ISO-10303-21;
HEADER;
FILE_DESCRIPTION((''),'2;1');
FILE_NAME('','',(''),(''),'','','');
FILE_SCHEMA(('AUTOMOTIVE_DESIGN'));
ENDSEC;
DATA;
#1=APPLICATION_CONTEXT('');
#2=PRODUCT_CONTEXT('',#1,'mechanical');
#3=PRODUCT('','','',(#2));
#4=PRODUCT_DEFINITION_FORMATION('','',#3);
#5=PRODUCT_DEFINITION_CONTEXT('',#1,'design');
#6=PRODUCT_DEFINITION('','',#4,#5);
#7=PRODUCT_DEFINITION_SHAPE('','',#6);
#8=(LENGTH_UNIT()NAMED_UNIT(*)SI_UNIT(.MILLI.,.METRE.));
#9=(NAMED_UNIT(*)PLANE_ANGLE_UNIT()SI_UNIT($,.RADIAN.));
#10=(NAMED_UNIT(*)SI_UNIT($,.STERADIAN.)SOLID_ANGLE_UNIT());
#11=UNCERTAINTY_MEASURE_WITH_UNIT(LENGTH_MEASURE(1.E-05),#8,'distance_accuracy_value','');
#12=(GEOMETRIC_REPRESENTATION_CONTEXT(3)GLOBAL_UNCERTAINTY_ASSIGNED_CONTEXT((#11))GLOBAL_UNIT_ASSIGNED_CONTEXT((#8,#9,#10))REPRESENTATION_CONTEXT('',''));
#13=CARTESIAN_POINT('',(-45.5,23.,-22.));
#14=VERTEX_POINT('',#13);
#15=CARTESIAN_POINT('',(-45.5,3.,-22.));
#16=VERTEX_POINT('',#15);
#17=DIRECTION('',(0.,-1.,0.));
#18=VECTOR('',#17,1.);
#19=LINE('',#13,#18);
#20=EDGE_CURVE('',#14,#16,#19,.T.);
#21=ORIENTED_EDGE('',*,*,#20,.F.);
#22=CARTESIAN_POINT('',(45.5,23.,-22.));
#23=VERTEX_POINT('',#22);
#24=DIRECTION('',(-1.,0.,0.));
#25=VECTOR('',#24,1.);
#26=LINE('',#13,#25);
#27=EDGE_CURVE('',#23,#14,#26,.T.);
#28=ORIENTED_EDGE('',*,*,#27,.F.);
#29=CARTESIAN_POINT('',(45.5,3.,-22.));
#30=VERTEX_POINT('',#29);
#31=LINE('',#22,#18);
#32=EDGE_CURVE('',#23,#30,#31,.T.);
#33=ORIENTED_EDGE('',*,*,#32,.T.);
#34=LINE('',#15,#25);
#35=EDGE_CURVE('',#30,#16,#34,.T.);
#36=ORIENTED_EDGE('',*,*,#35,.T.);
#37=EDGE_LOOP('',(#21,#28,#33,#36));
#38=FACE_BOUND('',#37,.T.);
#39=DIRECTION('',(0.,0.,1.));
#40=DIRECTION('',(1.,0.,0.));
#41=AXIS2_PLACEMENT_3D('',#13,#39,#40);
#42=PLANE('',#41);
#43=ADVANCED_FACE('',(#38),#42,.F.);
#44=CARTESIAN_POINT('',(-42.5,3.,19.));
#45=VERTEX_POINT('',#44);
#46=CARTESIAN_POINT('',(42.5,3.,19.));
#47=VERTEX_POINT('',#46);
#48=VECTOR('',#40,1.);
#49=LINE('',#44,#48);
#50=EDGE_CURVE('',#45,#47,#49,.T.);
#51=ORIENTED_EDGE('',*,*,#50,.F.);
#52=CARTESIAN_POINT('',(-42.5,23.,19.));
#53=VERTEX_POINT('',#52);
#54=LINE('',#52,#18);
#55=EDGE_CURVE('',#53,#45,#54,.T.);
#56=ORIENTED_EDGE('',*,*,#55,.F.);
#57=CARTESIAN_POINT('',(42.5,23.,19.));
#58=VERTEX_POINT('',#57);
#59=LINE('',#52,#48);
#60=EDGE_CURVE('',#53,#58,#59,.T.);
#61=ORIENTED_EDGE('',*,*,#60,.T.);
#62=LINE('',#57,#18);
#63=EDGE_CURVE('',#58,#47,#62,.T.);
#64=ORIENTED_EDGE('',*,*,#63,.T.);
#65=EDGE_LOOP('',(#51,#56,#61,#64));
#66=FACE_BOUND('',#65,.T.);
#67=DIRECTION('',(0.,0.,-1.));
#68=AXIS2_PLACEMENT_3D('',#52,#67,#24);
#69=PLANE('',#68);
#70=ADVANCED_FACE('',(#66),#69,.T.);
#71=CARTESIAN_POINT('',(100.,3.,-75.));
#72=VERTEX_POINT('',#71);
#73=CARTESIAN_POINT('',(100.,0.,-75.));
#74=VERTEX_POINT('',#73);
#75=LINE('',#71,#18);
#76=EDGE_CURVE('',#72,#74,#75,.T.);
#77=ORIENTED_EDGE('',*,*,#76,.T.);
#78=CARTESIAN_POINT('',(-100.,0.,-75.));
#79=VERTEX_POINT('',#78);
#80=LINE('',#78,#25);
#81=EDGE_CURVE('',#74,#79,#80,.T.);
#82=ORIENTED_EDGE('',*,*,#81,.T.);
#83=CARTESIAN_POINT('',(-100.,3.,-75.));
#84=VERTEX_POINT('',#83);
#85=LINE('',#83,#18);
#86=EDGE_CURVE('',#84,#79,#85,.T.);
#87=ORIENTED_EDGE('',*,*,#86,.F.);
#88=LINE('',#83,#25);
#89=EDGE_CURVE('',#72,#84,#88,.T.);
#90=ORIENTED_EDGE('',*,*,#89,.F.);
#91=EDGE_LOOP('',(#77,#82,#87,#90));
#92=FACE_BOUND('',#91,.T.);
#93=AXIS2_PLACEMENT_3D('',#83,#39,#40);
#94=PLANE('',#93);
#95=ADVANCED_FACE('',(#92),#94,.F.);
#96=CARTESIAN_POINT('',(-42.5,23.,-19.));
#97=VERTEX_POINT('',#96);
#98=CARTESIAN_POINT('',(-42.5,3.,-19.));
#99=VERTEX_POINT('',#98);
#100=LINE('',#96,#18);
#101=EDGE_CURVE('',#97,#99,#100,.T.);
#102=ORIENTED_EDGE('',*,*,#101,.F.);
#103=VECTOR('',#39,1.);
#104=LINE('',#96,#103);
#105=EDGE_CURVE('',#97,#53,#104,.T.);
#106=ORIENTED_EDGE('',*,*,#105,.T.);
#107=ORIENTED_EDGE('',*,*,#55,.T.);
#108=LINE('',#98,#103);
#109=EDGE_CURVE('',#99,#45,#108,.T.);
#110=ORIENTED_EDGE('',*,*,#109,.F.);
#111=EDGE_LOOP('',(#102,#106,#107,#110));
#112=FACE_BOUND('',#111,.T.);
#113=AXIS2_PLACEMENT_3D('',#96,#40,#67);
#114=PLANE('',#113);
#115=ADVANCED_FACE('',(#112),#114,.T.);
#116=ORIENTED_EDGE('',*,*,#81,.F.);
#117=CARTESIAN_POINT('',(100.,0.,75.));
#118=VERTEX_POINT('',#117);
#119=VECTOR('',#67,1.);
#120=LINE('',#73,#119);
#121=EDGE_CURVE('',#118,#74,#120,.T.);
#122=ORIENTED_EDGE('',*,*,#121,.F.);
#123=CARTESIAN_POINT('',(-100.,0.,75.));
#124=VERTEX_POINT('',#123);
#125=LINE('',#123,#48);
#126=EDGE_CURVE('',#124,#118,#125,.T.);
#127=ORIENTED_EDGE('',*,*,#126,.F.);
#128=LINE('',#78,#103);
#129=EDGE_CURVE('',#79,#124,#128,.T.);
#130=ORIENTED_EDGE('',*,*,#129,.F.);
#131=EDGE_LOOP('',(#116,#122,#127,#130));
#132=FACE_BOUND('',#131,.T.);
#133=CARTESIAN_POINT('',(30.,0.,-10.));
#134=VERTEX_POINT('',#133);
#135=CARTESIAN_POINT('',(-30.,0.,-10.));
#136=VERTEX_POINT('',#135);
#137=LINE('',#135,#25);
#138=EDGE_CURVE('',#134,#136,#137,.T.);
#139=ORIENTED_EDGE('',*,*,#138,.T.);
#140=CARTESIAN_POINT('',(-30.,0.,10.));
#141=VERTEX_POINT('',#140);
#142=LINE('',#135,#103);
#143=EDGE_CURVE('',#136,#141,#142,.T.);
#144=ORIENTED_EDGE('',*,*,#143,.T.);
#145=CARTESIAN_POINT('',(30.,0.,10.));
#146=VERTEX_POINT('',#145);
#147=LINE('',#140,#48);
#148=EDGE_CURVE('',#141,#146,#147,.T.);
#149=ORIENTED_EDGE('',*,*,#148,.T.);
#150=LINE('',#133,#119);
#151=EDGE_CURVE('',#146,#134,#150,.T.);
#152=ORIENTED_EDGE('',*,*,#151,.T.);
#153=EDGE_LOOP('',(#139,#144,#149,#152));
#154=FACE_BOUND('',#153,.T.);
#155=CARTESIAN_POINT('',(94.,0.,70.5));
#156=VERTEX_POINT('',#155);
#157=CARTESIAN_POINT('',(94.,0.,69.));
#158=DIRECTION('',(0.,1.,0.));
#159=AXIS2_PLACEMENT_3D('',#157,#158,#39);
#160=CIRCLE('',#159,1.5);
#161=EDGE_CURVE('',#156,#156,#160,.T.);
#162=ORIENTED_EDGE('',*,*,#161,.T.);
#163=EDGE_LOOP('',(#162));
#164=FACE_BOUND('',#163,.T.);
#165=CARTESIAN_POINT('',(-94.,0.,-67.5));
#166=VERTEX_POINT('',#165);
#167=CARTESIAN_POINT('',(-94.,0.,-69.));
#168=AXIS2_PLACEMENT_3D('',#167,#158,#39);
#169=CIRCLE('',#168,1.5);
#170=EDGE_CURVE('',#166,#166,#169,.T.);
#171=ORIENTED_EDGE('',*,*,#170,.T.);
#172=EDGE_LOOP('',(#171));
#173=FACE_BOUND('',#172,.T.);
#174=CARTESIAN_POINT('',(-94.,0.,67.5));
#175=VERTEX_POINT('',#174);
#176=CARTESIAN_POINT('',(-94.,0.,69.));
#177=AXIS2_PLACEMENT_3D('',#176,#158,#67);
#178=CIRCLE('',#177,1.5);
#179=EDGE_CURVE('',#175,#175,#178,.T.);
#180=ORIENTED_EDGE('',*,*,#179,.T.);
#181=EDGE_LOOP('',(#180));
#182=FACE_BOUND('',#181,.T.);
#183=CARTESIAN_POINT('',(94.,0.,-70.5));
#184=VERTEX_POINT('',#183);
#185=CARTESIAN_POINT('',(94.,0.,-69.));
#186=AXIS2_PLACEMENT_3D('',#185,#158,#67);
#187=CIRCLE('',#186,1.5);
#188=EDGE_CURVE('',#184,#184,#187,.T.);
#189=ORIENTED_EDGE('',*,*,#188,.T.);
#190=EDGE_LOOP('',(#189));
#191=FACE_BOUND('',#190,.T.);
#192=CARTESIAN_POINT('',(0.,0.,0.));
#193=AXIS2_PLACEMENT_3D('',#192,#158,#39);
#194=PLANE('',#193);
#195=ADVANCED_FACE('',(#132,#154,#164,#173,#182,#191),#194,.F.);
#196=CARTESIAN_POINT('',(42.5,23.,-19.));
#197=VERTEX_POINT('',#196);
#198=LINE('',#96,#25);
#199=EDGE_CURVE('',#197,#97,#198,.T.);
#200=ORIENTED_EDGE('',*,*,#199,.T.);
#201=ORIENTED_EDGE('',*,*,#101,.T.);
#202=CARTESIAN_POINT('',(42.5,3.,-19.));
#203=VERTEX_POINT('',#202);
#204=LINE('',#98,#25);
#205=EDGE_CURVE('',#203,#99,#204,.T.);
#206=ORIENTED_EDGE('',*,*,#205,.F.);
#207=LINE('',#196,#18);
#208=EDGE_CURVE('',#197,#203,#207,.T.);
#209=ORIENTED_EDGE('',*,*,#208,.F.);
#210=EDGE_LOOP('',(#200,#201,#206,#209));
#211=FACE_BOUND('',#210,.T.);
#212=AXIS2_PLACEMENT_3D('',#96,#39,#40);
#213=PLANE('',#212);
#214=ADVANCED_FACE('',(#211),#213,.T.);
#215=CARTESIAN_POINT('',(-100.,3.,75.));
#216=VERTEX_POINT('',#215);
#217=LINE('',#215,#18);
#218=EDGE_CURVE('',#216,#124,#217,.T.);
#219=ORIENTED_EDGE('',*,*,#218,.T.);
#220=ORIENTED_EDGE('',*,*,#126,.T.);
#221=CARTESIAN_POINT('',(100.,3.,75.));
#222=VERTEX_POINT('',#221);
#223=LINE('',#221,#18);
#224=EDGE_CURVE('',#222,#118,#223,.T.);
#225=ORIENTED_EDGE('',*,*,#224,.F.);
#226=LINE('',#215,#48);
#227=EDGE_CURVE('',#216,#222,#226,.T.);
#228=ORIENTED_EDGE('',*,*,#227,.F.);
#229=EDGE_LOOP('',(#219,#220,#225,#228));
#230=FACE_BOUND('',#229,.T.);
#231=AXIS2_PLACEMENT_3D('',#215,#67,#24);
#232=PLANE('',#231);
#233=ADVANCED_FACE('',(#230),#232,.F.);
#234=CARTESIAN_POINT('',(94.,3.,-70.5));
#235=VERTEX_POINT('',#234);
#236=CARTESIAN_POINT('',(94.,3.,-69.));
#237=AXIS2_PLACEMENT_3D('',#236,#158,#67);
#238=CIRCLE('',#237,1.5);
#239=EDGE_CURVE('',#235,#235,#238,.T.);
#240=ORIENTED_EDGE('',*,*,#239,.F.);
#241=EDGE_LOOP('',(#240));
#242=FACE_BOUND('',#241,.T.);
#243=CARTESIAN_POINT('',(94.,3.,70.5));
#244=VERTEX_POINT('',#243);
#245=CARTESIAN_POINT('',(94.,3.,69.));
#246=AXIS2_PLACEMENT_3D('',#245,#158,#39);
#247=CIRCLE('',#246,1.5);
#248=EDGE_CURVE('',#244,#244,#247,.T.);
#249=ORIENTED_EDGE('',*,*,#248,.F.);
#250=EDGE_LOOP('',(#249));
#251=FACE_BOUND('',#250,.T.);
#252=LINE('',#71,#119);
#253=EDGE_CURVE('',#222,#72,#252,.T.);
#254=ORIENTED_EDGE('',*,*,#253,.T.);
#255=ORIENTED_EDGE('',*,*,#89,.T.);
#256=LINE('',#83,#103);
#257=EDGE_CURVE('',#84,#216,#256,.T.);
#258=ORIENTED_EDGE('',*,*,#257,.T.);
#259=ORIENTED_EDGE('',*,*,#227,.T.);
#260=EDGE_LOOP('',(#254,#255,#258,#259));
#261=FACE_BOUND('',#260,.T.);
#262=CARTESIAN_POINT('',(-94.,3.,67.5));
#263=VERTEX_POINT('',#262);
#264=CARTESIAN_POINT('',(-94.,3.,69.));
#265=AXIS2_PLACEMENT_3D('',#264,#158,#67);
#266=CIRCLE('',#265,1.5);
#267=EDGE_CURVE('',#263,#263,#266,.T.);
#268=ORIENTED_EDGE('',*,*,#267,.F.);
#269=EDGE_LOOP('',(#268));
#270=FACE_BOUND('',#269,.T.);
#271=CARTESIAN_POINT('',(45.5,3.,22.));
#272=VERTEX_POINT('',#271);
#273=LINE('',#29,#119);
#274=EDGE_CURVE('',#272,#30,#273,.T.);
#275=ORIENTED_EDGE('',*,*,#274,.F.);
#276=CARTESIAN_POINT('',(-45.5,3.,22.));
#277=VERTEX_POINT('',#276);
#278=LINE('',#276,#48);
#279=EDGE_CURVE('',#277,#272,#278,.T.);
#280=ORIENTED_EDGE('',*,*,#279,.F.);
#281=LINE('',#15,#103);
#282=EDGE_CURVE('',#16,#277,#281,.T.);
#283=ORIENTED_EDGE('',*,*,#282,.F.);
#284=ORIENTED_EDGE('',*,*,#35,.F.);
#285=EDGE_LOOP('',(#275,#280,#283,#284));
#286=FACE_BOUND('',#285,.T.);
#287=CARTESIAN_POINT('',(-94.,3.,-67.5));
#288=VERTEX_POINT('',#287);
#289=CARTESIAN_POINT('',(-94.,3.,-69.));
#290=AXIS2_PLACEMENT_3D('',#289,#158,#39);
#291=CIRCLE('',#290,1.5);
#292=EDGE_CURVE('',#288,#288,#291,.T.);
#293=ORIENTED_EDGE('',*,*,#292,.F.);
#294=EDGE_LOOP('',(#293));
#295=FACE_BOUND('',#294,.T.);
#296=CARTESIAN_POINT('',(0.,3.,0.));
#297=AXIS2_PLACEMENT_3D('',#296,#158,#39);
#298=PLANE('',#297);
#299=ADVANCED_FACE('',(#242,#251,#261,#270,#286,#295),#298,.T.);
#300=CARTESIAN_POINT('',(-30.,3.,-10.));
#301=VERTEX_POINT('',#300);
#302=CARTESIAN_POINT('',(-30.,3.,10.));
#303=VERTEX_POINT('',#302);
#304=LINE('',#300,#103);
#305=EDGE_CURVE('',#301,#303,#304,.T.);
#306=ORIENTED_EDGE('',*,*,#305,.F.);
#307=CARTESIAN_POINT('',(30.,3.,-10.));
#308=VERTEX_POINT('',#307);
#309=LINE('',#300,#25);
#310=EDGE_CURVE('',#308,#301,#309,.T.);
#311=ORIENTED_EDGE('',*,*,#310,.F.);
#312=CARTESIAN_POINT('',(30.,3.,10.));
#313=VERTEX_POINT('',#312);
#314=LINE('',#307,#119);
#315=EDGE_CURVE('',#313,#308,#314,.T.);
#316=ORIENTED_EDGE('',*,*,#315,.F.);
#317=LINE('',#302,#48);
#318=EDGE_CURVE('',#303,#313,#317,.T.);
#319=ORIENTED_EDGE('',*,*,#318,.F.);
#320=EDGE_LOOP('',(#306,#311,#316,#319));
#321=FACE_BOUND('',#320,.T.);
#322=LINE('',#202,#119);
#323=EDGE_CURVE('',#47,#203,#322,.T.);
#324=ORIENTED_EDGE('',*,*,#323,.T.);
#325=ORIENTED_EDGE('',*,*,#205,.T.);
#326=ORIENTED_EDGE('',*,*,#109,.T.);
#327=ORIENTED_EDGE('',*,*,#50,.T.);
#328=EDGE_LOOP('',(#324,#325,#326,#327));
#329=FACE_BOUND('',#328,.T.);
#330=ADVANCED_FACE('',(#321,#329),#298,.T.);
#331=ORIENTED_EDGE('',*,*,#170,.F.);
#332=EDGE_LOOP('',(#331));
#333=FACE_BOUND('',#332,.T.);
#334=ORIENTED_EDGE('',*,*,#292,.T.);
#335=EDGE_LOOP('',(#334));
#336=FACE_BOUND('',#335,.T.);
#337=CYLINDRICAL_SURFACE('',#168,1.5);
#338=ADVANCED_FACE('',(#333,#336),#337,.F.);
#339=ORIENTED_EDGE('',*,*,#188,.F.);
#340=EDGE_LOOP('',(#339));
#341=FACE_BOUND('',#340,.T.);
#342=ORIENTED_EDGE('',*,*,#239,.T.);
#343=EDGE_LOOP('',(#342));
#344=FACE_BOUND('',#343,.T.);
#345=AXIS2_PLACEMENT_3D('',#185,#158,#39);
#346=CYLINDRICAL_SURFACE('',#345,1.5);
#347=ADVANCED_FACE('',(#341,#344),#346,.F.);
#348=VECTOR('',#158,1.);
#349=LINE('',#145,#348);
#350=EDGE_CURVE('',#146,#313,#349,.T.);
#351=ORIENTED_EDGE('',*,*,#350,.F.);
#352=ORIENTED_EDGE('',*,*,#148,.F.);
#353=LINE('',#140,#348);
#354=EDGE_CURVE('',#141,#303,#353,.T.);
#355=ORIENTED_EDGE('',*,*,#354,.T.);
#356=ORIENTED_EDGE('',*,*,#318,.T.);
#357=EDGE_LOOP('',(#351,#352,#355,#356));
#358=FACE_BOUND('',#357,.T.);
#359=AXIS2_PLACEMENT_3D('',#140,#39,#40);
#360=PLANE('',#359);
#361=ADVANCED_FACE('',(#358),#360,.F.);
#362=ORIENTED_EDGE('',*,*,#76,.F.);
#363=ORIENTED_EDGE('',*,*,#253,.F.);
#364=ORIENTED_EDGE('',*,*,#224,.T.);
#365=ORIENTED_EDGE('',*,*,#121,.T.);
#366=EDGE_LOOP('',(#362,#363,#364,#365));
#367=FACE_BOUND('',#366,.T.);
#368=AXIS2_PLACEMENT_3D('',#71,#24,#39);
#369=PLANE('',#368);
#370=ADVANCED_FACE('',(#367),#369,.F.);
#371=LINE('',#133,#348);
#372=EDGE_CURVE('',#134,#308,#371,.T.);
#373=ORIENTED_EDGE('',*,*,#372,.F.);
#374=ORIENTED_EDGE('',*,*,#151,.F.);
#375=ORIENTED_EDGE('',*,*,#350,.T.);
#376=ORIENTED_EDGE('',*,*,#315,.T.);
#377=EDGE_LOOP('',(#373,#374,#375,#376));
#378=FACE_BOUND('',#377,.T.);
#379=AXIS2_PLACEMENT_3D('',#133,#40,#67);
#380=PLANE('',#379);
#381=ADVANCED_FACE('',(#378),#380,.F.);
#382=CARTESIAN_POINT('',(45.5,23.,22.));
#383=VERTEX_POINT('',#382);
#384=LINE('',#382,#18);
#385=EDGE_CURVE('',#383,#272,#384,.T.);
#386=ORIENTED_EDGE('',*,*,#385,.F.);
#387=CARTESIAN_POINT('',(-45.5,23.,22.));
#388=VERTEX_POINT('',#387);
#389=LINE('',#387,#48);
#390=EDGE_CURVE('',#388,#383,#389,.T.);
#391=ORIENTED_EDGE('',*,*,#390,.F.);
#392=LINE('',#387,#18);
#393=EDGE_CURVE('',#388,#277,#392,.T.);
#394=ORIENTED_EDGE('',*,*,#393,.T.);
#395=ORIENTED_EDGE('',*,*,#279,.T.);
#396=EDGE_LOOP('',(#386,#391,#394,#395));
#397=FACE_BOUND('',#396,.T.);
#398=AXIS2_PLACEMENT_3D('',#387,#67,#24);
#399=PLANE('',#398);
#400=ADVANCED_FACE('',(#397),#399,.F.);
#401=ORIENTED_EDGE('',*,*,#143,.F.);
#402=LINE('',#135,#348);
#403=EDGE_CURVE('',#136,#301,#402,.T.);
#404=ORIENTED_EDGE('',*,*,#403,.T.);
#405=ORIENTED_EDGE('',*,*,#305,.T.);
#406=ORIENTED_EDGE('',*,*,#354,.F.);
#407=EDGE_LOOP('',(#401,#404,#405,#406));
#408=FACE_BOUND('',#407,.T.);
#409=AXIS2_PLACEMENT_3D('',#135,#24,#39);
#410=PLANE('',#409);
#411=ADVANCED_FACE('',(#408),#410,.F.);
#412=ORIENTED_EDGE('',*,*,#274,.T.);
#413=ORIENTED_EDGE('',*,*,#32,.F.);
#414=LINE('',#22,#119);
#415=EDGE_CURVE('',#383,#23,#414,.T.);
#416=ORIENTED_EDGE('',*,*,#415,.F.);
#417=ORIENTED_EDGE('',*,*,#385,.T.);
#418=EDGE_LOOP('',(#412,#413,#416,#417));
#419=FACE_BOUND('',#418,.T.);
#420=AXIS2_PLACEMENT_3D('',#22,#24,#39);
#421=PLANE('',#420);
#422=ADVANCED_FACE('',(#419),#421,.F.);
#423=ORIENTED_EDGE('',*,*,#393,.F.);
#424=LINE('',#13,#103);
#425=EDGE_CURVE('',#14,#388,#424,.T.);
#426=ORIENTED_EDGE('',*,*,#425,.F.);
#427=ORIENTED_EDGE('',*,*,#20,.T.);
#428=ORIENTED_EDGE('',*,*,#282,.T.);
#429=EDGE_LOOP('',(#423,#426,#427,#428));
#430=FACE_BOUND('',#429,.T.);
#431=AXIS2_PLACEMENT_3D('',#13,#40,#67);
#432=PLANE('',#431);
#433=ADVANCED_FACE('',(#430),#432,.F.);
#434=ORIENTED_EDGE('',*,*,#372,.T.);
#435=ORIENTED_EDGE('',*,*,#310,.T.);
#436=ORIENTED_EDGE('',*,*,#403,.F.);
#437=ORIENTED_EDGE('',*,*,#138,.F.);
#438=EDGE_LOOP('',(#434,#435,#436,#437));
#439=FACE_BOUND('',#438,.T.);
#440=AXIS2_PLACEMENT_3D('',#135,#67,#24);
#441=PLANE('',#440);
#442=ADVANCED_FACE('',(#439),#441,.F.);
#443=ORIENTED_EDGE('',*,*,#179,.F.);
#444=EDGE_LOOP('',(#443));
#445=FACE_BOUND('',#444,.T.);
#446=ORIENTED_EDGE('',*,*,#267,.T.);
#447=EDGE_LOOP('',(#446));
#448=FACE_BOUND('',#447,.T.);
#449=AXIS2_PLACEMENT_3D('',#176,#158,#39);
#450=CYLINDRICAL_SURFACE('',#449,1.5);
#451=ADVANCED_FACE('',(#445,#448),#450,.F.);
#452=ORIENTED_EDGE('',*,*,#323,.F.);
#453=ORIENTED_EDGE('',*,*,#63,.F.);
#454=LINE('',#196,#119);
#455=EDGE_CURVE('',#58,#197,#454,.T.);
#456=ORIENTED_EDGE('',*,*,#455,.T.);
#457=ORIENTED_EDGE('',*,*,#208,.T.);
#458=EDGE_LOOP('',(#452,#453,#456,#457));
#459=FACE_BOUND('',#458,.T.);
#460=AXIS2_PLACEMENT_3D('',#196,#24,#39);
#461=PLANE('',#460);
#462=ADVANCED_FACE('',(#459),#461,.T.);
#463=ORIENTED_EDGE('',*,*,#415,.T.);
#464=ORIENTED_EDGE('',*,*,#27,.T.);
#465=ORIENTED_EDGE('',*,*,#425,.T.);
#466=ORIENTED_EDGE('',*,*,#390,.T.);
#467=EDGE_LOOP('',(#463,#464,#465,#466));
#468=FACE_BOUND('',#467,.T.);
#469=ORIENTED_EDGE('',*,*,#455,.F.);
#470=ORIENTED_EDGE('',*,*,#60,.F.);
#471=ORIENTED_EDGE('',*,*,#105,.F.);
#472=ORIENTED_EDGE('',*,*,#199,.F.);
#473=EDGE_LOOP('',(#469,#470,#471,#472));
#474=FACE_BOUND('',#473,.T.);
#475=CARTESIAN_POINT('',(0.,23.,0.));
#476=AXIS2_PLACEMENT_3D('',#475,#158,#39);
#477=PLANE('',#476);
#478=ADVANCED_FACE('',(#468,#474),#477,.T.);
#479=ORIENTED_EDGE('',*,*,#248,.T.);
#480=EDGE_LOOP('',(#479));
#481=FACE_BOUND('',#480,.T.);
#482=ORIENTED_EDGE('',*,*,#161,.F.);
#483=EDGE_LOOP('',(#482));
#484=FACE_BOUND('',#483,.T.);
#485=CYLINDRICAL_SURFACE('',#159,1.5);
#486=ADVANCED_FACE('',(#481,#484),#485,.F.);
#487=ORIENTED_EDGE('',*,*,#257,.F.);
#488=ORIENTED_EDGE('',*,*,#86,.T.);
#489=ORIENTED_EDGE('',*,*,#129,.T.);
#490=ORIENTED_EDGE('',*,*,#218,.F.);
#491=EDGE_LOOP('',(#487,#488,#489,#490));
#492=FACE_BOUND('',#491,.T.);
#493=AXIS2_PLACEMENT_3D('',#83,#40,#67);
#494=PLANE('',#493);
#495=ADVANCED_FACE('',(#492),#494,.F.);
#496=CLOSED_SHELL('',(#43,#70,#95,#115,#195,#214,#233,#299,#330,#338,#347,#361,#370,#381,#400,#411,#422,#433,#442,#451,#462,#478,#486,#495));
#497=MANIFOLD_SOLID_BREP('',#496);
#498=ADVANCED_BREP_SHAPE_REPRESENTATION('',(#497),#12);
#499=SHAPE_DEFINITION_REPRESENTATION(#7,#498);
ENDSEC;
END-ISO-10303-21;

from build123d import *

# Parameters (mm, degrees)
SKETCH1_W           = 200
SKETCH1_H           = 150
BOSS_EXTRUDE1_DEPTH = 3
SKETCH2_R           = 1.5
CUT_EXTRUDE1_DEPTH  = 126.035994817
SKETCH3_W           = 60
SKETCH3_H           = 20
CUT_EXTRUDE2_DEPTH  = 126.035994817
SKETCH4_W           = 91
SKETCH4_H           = 44
SKETCH4_W_2         = 85
SKETCH4_H_2         = 38
BOSS_EXTRUDE2_DEPTH = 20


with BuildPart() as part:
    # Sketch1 → Boss-Extrude1 (new body)
    with BuildSketch(Plane(origin=(0, 0, 0), x_dir=(1, 0, 0), z_dir=(0, 1, 0))):
        Rectangle(SKETCH1_W, SKETCH1_H)
    extrude(amount=BOSS_EXTRUDE1_DEPTH)

    # Sketch2 → Cut-Extrude1 (cut, through all)
    with BuildSketch(Plane(origin=(0, 3, 0), x_dir=(1, 0, 0), z_dir=(0, 1, 0))):
        with Locations(Location((94, -69, 0), (0, 0, 270))):
            Circle(SKETCH2_R)
        with Locations(Location((94, 69, 0), (0, 0, 90))):
            Circle(SKETCH2_R)
        with Locations(Location((-94, -69, 0), (0, 0, 90))):
            Circle(SKETCH2_R)
        with Locations(Location((-94, 69, 0), (0, 0, 270))):
            Circle(SKETCH2_R)
    extrude(amount=-CUT_EXTRUDE1_DEPTH, mode=Mode.SUBTRACT)

    # Sketch3 → Cut-Extrude2 (cut, through all)
    with BuildSketch(Plane(origin=(0, 3, 0), x_dir=(1, 0, 0), z_dir=(0, 1, 0))):
        Rectangle(SKETCH3_W, SKETCH3_H)
    extrude(amount=-CUT_EXTRUDE2_DEPTH, mode=Mode.SUBTRACT)

    # Sketch4 → Boss-Extrude2 (add)
    with BuildSketch(Plane(origin=(0, 3, 0), x_dir=(1, 0, 0), z_dir=(0, 1, 0))):
        Rectangle(SKETCH4_W, SKETCH4_H)
        Rectangle(SKETCH4_W_2, SKETCH4_H_2, mode=Mode.SUBTRACT)
    extrude(amount=BOSS_EXTRUDE2_DEPTH)


solid = part.part
